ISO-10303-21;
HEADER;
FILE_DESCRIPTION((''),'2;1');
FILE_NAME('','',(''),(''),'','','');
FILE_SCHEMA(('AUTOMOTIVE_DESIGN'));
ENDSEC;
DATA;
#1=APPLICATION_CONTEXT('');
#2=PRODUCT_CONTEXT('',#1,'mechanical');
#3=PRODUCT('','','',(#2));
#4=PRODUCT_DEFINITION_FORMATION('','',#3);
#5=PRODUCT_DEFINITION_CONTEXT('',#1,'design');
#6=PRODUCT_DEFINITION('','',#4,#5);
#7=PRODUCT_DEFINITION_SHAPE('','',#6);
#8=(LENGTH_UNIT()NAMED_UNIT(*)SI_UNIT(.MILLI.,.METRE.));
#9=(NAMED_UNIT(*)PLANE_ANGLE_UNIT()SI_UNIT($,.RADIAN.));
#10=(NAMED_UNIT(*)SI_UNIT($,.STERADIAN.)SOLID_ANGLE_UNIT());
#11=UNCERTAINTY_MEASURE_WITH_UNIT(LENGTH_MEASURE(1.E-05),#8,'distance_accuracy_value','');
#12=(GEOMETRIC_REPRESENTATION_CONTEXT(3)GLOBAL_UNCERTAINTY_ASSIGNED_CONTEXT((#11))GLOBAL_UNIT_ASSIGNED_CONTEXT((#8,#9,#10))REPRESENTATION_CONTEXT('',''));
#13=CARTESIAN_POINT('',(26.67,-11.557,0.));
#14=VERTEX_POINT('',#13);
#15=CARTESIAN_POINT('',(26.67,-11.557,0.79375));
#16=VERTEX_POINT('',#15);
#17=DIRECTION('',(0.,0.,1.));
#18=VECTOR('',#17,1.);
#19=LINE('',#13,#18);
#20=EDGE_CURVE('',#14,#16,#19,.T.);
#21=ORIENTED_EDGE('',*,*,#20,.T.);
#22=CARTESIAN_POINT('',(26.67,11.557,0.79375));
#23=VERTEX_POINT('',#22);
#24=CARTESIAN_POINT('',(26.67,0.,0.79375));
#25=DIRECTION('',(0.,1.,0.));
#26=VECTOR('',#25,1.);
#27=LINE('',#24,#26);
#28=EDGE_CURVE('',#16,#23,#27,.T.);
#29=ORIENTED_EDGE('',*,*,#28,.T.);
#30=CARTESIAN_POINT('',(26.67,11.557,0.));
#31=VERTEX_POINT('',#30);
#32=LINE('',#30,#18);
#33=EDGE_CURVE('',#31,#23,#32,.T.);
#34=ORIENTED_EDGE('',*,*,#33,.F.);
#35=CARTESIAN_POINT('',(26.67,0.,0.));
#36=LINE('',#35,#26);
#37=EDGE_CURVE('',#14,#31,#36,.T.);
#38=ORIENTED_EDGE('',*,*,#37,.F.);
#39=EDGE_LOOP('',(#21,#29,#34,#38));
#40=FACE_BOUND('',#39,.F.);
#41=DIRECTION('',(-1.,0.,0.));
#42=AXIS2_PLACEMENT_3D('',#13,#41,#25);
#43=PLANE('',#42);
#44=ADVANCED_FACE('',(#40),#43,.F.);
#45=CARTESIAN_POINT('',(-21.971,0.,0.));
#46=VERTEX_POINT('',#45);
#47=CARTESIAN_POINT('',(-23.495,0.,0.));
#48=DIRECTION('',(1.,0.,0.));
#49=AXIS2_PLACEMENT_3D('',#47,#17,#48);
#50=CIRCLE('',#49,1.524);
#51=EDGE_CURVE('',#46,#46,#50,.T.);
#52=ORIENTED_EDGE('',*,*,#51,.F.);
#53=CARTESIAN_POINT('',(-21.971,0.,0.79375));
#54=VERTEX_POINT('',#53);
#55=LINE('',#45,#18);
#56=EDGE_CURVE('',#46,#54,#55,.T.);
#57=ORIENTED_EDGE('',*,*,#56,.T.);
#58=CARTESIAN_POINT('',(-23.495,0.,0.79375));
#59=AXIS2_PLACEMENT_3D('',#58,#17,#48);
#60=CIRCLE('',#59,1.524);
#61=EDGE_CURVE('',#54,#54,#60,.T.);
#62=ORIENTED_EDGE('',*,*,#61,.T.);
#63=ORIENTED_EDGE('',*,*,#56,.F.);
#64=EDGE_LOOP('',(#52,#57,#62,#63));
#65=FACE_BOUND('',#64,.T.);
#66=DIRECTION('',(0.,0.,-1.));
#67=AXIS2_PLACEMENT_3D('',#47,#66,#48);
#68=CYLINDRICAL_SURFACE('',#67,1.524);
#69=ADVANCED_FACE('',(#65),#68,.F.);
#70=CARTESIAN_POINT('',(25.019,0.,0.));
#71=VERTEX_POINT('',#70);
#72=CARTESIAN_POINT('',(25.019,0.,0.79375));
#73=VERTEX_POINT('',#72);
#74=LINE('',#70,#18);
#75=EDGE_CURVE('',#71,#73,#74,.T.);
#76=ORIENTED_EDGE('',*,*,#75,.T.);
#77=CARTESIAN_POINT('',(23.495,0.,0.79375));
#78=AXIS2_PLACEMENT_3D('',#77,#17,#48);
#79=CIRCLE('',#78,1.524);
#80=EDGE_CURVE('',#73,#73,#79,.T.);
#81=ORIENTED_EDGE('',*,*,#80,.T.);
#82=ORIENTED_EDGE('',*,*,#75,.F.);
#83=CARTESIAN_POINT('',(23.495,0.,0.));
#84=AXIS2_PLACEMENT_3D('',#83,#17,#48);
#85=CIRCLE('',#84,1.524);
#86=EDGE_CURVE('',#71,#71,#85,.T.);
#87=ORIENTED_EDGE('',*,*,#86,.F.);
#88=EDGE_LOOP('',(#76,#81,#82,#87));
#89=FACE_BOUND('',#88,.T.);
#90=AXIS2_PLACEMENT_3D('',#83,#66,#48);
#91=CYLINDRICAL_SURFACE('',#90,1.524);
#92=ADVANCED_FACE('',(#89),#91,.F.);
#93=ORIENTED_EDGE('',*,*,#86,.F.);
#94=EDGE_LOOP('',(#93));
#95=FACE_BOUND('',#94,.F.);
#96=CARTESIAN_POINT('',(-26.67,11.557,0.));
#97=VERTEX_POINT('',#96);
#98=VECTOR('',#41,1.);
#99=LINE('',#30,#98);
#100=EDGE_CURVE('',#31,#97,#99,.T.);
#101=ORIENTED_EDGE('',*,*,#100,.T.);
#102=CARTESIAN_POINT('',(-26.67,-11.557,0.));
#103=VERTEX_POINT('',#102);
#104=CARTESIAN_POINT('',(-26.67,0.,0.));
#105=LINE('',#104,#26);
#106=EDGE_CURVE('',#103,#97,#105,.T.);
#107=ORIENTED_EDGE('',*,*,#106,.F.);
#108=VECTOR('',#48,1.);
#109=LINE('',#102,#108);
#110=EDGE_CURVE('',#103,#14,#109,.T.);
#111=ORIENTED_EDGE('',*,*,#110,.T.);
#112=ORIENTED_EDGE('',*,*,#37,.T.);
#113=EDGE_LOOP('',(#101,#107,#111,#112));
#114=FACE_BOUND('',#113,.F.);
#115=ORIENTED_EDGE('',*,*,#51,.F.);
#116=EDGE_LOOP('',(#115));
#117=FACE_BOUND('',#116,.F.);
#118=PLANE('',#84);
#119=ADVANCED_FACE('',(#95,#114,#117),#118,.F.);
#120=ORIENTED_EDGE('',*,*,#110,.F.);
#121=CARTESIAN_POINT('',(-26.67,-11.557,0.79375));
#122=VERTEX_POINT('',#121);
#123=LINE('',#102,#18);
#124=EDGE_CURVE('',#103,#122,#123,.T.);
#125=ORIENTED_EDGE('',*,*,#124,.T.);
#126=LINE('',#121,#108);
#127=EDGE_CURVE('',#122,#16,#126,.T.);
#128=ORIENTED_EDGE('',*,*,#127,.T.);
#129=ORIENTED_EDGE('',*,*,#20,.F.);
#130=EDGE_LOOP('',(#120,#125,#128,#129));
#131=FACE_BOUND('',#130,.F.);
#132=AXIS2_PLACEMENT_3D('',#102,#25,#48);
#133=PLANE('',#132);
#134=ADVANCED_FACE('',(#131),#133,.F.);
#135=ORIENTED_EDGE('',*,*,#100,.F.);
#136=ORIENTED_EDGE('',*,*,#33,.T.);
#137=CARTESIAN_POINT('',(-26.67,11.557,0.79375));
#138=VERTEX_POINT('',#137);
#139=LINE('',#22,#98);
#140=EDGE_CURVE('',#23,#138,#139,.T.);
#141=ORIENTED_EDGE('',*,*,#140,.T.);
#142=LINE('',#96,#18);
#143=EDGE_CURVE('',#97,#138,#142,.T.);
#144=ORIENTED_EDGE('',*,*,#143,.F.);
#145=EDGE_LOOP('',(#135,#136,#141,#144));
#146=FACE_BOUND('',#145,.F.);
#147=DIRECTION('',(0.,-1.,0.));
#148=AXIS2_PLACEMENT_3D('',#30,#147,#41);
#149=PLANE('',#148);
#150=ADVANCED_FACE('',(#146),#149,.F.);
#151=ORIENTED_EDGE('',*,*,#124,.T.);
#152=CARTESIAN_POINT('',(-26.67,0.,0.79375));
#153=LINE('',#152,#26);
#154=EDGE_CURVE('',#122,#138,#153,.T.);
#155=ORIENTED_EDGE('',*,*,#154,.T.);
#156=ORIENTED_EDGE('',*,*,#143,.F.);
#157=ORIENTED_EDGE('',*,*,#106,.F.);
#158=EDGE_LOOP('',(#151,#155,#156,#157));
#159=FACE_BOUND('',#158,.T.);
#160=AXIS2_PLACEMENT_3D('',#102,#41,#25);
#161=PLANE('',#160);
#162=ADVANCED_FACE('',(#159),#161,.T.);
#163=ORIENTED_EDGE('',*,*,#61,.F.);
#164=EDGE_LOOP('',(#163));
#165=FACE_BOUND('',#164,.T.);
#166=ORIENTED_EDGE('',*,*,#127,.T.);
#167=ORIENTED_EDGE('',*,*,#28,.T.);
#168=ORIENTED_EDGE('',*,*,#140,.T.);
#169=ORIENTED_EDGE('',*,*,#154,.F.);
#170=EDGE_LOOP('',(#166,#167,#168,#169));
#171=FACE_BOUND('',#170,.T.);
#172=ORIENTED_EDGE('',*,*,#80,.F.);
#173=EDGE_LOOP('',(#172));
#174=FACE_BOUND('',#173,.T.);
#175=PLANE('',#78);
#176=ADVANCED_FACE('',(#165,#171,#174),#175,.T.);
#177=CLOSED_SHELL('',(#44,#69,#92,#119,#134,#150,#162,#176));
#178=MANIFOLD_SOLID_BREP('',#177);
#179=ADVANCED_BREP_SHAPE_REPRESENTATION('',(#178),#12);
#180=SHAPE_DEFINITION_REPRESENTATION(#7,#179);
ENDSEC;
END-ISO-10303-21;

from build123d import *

# Parameters (mm, degrees)
F0_W     = 6.35
F0_H     = 23.114
F0_R     = 1.524
F0_W_2   = 40.64
F1_DEPTH = 0.79375


with BuildPart() as f1:
    # F0 (on Top) → F1 (new body)
    with BuildSketch(Plane.XY):
        with Locations((23.495, 0)):
            Rectangle(F0_W, F0_H)
        with Locations((23.495, 0)):
            Circle(F0_R, mode=Mode.SUBTRACT)
        Rectangle(F0_W_2, F0_H)
        with Locations((-23.495, 0)):
            Rectangle(F0_W, F0_H)
        with Locations((-23.495, 0)):
            Circle(F0_R, mode=Mode.SUBTRACT)
    extrude(amount=F1_DEPTH)


solid = f1.part
